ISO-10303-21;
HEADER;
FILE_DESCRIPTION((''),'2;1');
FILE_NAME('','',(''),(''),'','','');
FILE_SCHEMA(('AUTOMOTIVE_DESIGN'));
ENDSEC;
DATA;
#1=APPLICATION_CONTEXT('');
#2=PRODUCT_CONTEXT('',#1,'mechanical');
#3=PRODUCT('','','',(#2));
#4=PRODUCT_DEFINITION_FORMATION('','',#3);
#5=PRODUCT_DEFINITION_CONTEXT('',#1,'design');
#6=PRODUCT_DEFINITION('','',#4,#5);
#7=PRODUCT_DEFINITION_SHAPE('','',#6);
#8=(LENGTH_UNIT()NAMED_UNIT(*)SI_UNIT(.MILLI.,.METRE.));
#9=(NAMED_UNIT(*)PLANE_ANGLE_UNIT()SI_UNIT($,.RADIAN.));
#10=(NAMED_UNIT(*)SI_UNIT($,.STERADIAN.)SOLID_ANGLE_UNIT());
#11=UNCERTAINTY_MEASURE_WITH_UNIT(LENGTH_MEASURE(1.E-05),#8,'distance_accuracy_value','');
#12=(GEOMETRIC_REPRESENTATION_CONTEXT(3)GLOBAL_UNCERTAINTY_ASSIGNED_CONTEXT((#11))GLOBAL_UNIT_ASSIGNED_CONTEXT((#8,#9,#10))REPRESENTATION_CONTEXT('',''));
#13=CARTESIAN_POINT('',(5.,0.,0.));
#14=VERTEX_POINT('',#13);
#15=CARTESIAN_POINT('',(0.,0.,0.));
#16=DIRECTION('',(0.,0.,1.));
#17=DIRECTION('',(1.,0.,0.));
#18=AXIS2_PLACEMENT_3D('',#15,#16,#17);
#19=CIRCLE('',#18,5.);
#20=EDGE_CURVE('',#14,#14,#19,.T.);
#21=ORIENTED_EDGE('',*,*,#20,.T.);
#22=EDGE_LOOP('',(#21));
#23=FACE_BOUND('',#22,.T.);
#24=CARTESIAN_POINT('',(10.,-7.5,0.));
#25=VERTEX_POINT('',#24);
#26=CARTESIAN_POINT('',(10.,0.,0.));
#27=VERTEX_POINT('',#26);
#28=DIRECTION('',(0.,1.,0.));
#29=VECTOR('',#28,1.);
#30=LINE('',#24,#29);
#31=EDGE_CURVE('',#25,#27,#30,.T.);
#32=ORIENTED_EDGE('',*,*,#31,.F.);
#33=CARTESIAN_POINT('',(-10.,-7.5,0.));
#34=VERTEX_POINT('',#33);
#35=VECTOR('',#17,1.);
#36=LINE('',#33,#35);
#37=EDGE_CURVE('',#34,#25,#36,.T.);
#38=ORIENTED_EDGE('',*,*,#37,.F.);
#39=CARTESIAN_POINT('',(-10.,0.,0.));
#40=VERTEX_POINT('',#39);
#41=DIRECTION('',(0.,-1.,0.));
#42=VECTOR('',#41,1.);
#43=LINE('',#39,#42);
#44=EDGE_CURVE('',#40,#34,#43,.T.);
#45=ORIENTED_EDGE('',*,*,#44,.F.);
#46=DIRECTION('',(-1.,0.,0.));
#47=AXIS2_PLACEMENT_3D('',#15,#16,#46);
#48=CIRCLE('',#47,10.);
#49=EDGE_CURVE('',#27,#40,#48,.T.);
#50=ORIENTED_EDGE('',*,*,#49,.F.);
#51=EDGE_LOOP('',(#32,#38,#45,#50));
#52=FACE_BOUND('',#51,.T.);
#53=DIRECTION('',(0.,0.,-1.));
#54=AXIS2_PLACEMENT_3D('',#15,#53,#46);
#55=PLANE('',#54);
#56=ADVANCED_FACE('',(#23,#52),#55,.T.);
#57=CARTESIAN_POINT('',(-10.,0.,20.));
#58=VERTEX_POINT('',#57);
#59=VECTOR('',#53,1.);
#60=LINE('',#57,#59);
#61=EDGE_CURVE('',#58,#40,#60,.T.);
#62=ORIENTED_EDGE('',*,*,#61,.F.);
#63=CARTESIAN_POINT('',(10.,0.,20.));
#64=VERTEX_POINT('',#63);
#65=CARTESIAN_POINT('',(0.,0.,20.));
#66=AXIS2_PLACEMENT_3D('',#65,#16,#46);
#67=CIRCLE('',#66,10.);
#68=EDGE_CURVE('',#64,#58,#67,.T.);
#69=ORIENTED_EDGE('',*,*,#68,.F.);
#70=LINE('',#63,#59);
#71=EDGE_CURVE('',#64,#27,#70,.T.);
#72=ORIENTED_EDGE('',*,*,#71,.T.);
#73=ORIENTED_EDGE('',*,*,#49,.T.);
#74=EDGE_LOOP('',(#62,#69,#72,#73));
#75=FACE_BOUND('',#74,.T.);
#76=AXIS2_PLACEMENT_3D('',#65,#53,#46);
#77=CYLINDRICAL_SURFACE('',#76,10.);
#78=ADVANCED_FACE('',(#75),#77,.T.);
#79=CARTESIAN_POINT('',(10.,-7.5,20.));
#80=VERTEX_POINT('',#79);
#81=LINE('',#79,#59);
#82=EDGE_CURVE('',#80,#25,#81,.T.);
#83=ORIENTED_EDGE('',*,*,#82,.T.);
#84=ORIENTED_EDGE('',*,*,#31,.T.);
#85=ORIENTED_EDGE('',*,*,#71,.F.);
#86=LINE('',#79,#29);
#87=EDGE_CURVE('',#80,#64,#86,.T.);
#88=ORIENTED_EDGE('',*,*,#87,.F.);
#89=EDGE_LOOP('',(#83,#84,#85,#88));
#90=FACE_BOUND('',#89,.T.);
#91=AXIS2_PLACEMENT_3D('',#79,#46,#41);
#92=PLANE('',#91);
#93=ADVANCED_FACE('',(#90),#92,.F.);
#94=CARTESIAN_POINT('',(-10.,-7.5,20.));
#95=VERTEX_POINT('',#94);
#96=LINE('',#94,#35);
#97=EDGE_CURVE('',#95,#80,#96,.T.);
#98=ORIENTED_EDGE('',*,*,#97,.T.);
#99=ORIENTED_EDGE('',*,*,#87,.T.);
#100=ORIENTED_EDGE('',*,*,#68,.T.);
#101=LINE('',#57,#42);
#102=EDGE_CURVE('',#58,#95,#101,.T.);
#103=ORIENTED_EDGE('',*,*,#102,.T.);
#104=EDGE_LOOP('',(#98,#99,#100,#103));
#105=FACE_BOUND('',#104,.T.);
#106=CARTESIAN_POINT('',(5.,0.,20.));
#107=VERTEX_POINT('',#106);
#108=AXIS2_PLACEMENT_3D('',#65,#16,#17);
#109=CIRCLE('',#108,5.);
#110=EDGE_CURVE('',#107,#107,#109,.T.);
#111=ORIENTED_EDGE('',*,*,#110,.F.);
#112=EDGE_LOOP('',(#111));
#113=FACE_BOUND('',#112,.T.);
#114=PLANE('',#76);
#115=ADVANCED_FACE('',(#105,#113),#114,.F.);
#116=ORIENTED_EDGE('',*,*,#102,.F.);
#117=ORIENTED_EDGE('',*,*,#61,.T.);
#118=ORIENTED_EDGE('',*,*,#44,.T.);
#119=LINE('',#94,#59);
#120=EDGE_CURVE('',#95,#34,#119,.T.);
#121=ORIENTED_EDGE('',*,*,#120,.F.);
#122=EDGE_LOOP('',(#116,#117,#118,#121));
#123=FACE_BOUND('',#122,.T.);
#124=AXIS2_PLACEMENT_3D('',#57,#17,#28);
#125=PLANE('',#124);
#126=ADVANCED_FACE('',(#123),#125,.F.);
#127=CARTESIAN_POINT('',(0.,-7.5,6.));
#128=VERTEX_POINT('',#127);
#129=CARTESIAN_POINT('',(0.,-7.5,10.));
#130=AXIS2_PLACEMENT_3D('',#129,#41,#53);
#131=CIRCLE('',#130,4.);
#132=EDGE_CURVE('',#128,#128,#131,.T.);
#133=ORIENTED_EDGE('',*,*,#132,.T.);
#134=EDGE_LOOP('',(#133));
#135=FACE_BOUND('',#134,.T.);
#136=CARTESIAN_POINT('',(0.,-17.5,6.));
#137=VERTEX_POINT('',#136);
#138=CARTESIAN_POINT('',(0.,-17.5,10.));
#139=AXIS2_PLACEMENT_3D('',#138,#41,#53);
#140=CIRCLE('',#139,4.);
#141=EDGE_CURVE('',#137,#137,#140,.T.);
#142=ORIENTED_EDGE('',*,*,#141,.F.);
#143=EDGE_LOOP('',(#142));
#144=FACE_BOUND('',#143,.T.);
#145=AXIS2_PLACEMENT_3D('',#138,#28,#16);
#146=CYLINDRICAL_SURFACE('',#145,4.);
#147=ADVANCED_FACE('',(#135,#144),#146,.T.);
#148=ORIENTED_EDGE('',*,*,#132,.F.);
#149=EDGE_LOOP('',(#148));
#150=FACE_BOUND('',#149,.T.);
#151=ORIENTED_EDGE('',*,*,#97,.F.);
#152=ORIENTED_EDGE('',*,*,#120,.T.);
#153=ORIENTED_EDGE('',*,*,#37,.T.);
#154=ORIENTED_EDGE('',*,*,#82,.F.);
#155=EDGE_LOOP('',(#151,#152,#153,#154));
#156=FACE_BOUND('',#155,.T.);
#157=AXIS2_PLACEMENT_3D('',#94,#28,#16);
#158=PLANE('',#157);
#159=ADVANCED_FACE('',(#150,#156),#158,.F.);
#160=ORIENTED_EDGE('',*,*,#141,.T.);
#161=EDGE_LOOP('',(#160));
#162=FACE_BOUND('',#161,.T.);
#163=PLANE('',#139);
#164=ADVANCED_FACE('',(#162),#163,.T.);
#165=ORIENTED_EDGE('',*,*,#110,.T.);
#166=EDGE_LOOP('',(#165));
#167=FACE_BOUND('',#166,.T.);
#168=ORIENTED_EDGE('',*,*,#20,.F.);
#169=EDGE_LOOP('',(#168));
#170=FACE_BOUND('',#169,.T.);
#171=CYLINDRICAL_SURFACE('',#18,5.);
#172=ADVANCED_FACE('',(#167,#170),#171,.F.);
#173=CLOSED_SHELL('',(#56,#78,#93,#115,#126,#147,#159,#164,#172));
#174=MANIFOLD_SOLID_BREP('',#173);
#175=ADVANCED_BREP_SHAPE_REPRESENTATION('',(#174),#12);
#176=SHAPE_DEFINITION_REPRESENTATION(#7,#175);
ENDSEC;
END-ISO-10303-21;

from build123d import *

# Parameters (mm, degrees)
EXTRUDE_1_DEPTH     = 20
SKETCH_3_R          = 5
CUT_EXTRUDE_1_DEPTH = 25.494897428
SKETCH_5_R          = 4
EXTRUDE_2_DEPTH     = 10


with BuildPart() as part:
    # ｽｹｯﾁ2 → ﾎﾞｽ - 押し出し1 (new body)
    with BuildSketch(Plane.XY):
        with BuildLine():
            Line((-10, 0), (-10, -7.5))
            Line((-10, -7.5), (10, -7.5))
            Line((10, -7.5), (10, 0))
            ThreePointArc((10, 0), (0, 10), (-10, 0))
        make_face()
    extrude(amount=EXTRUDE_1_DEPTH)

    # ｽｹｯﾁ3 → ｶｯﾄ - 押し出し1 (cut, through all)
    with BuildSketch(Plane.XY.offset(20)):
        Circle(SKETCH_3_R)
    extrude(amount=-CUT_EXTRUDE_1_DEPTH, mode=Mode.SUBTRACT)

    # ｽｹｯﾁ5 → ﾎﾞｽ - 押し出し2 (add)
    with BuildSketch(Plane(origin=(0, -7.5, 0), x_dir=(-1, 0, 0), z_dir=(0, -1, 0))):
        with Locations(Location((0, -10, 0), (0, 0, 90))):
            Circle(SKETCH_5_R)
    extrude(amount=EXTRUDE_2_DEPTH)


solid = part.part
